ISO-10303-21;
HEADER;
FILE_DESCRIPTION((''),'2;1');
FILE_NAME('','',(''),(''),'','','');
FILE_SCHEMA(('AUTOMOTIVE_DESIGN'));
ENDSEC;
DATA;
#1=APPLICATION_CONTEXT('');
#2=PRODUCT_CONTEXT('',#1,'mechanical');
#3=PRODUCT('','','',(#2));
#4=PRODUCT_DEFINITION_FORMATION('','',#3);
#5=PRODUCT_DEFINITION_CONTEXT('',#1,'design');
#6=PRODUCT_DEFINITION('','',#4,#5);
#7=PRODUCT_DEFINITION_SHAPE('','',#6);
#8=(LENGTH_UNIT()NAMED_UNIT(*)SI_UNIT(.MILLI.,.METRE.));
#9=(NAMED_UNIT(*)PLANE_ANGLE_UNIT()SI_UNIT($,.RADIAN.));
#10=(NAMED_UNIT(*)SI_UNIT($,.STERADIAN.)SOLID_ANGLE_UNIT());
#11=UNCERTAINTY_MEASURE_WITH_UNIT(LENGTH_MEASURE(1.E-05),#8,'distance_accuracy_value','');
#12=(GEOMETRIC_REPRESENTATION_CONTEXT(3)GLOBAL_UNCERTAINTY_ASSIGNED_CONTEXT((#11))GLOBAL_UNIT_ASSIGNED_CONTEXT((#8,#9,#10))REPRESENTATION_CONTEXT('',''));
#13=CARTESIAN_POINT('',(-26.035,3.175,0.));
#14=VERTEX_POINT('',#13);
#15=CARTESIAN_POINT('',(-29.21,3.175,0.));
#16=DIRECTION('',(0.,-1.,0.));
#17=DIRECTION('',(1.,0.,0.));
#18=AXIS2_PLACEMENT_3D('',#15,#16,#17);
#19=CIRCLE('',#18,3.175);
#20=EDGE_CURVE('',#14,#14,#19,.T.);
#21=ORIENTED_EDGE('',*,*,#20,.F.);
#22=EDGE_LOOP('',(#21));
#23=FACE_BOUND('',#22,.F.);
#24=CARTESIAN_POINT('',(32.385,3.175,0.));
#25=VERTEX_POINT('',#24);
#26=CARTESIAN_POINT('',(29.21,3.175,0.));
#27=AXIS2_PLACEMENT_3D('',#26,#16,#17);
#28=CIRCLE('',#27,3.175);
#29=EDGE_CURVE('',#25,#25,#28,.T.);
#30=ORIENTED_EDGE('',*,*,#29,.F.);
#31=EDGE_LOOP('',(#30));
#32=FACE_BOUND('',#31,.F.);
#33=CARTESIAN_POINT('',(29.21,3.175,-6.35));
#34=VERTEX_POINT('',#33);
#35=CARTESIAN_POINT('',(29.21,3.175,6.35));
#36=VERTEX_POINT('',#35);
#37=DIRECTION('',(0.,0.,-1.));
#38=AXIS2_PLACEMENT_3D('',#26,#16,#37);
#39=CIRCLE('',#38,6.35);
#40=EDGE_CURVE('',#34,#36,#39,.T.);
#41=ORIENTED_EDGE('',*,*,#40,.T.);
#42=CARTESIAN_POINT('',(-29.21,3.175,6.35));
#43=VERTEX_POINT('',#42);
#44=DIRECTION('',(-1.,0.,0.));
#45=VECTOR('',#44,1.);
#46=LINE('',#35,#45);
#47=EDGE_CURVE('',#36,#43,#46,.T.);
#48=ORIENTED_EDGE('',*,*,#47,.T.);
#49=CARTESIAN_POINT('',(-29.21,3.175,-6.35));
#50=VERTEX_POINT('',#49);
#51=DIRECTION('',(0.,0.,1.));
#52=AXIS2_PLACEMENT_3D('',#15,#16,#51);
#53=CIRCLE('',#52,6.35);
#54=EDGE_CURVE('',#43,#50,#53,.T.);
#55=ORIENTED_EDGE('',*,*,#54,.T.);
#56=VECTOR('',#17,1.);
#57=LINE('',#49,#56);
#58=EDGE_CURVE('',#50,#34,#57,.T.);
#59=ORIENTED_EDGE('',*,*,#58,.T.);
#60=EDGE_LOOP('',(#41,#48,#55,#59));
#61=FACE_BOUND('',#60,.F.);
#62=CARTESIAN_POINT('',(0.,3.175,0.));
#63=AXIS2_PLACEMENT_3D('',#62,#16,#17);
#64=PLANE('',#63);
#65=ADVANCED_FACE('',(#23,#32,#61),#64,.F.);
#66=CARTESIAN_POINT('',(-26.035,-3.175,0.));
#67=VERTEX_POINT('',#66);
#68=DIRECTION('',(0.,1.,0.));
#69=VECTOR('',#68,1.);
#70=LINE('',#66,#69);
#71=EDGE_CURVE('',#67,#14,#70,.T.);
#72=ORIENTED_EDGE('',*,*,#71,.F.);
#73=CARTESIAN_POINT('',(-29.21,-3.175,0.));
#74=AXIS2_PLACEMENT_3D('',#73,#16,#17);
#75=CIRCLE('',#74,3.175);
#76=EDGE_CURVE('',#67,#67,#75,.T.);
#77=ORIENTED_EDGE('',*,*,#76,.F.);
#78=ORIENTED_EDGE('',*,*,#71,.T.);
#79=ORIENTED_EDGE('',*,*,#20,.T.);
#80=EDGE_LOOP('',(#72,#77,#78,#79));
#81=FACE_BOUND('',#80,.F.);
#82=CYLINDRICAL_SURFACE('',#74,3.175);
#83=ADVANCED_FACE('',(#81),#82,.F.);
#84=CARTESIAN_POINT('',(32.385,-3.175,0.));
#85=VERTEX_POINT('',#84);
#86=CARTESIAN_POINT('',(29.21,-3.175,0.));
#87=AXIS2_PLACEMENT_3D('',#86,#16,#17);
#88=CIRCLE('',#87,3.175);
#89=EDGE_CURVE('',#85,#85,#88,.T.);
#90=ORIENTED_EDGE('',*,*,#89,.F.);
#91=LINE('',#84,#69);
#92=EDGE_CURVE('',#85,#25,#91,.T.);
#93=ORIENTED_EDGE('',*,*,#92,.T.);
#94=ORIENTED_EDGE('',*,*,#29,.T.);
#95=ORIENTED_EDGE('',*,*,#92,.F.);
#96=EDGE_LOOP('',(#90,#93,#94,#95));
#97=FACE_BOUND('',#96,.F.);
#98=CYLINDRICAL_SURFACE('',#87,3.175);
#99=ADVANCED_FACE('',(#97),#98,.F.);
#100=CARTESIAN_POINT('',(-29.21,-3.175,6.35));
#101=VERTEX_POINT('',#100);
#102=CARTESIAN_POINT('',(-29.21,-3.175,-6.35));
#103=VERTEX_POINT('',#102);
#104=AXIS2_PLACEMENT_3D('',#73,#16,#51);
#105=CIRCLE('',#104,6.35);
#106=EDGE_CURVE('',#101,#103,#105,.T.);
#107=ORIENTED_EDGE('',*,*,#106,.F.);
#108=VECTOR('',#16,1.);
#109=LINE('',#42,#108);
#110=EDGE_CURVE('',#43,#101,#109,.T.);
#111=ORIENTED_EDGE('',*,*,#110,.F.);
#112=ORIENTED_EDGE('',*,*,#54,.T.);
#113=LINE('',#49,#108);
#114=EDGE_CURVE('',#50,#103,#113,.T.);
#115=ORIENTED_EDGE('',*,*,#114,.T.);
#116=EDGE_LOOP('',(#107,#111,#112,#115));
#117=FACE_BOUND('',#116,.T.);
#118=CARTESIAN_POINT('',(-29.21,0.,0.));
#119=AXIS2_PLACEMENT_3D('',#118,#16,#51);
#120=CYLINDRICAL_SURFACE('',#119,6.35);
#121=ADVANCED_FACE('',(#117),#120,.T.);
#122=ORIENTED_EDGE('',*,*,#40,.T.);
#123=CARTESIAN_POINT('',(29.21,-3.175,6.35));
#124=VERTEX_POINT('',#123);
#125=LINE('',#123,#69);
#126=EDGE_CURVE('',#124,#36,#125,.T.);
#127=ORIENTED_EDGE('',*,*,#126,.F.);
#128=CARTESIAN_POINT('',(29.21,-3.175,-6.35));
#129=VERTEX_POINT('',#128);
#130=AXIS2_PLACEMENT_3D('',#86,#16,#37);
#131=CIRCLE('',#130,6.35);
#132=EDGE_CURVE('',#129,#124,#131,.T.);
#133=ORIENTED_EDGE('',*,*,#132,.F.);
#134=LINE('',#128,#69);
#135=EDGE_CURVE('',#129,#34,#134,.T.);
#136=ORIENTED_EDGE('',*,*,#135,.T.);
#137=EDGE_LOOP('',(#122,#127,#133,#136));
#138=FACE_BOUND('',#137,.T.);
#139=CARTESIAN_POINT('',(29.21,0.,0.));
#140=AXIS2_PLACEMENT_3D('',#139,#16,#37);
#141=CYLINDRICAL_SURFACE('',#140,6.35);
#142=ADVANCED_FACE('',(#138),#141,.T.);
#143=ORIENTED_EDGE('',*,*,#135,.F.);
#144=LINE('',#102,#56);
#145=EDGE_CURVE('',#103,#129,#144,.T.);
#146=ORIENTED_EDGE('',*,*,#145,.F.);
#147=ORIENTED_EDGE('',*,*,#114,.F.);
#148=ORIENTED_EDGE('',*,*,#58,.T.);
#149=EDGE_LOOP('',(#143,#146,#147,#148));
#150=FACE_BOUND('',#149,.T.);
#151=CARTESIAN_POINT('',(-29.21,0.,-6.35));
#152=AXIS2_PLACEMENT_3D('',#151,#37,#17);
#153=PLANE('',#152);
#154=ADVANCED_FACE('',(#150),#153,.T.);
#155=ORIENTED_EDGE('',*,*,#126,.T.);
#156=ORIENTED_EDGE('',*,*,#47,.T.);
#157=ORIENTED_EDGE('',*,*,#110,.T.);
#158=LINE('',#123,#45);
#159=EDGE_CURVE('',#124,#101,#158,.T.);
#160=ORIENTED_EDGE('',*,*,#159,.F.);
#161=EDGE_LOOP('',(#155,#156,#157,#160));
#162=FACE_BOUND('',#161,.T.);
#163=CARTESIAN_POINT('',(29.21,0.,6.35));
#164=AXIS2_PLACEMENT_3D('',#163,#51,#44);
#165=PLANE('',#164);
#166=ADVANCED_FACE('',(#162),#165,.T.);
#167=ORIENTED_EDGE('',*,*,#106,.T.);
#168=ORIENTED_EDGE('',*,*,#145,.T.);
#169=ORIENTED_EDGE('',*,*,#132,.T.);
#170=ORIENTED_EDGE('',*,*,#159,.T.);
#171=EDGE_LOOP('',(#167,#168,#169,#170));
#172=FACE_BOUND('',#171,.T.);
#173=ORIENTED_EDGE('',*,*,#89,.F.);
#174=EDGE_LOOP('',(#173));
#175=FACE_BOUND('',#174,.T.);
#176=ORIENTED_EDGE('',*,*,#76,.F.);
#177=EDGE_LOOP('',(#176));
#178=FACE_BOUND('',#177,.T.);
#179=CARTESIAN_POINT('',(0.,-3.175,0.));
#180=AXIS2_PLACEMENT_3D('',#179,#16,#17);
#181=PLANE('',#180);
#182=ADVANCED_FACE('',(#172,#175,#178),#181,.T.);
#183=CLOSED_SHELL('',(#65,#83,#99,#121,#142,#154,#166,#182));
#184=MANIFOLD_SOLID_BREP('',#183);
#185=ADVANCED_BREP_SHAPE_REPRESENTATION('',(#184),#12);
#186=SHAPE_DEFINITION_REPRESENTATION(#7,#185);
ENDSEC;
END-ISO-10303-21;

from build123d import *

# Parameters (mm, degrees)
F1_DEPTH = 3.175
F2_R     = 3.175
F3_DEPTH = 6.351


with BuildPart() as f1:
    # F0 (on Front) → F1 (new body, symmetric)
    with BuildSketch(Plane.XZ):
        with BuildLine():
            Line((29.21, 6.35), (-29.21, 6.35))
            ThreePointArc((-29.21, 6.35), (-35.56, 0), (-29.21, -6.35))
            Line((-29.21, -6.35), (29.21, -6.35))
            ThreePointArc((29.21, -6.35), (35.56, 0), (29.21, 6.35))
        make_face()
    extrude(amount=F1_DEPTH, both=True)

    # F2 (on face) → F3 (cut, through all)
    with BuildSketch(Plane.XZ.offset(3.175)):
        with Locations((29.21, 0)):
            Circle(F2_R)
        with Locations((-29.21, 0)):
            Circle(F2_R)
    extrude(amount=-F3_DEPTH, mode=Mode.SUBTRACT)


solid = f1.part
